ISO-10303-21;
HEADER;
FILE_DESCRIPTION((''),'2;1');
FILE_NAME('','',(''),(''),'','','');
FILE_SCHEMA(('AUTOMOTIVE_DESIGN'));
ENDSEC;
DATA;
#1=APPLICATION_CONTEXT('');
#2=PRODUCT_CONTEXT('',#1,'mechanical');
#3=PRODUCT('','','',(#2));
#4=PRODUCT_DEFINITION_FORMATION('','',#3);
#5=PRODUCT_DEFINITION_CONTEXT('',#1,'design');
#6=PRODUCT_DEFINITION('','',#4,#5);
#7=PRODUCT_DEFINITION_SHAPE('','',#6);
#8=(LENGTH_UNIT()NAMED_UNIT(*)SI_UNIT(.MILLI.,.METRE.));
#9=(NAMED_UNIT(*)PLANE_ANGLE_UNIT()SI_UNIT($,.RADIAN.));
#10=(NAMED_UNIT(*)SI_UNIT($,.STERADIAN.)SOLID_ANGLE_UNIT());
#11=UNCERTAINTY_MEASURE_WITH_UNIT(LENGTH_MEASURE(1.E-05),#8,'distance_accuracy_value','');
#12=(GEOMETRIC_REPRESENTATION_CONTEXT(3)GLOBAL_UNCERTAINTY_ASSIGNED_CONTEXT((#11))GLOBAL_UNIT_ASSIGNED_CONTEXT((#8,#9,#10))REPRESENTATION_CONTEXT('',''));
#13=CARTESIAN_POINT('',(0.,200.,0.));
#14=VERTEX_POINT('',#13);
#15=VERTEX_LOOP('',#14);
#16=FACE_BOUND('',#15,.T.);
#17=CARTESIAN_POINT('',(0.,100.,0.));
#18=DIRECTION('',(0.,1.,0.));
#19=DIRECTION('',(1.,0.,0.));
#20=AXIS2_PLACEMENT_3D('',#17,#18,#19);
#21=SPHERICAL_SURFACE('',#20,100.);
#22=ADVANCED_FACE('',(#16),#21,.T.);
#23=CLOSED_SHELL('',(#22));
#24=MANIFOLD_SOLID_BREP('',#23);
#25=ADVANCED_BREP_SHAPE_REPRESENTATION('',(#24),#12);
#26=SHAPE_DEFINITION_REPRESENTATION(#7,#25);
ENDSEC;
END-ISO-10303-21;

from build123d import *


with BuildPart() as part:
    # Sketch1 → Revolve1 (revolve)
    with BuildSketch(Plane.XY):
        with BuildLine():
            Line((0, 200), (0, 0))
            ThreePointArc((0, 0), (100, 100), (0, 200))
        make_face()
    revolve(axis=Axis((0, 0, 0), (0, 1, 0)))


solid = part.part
